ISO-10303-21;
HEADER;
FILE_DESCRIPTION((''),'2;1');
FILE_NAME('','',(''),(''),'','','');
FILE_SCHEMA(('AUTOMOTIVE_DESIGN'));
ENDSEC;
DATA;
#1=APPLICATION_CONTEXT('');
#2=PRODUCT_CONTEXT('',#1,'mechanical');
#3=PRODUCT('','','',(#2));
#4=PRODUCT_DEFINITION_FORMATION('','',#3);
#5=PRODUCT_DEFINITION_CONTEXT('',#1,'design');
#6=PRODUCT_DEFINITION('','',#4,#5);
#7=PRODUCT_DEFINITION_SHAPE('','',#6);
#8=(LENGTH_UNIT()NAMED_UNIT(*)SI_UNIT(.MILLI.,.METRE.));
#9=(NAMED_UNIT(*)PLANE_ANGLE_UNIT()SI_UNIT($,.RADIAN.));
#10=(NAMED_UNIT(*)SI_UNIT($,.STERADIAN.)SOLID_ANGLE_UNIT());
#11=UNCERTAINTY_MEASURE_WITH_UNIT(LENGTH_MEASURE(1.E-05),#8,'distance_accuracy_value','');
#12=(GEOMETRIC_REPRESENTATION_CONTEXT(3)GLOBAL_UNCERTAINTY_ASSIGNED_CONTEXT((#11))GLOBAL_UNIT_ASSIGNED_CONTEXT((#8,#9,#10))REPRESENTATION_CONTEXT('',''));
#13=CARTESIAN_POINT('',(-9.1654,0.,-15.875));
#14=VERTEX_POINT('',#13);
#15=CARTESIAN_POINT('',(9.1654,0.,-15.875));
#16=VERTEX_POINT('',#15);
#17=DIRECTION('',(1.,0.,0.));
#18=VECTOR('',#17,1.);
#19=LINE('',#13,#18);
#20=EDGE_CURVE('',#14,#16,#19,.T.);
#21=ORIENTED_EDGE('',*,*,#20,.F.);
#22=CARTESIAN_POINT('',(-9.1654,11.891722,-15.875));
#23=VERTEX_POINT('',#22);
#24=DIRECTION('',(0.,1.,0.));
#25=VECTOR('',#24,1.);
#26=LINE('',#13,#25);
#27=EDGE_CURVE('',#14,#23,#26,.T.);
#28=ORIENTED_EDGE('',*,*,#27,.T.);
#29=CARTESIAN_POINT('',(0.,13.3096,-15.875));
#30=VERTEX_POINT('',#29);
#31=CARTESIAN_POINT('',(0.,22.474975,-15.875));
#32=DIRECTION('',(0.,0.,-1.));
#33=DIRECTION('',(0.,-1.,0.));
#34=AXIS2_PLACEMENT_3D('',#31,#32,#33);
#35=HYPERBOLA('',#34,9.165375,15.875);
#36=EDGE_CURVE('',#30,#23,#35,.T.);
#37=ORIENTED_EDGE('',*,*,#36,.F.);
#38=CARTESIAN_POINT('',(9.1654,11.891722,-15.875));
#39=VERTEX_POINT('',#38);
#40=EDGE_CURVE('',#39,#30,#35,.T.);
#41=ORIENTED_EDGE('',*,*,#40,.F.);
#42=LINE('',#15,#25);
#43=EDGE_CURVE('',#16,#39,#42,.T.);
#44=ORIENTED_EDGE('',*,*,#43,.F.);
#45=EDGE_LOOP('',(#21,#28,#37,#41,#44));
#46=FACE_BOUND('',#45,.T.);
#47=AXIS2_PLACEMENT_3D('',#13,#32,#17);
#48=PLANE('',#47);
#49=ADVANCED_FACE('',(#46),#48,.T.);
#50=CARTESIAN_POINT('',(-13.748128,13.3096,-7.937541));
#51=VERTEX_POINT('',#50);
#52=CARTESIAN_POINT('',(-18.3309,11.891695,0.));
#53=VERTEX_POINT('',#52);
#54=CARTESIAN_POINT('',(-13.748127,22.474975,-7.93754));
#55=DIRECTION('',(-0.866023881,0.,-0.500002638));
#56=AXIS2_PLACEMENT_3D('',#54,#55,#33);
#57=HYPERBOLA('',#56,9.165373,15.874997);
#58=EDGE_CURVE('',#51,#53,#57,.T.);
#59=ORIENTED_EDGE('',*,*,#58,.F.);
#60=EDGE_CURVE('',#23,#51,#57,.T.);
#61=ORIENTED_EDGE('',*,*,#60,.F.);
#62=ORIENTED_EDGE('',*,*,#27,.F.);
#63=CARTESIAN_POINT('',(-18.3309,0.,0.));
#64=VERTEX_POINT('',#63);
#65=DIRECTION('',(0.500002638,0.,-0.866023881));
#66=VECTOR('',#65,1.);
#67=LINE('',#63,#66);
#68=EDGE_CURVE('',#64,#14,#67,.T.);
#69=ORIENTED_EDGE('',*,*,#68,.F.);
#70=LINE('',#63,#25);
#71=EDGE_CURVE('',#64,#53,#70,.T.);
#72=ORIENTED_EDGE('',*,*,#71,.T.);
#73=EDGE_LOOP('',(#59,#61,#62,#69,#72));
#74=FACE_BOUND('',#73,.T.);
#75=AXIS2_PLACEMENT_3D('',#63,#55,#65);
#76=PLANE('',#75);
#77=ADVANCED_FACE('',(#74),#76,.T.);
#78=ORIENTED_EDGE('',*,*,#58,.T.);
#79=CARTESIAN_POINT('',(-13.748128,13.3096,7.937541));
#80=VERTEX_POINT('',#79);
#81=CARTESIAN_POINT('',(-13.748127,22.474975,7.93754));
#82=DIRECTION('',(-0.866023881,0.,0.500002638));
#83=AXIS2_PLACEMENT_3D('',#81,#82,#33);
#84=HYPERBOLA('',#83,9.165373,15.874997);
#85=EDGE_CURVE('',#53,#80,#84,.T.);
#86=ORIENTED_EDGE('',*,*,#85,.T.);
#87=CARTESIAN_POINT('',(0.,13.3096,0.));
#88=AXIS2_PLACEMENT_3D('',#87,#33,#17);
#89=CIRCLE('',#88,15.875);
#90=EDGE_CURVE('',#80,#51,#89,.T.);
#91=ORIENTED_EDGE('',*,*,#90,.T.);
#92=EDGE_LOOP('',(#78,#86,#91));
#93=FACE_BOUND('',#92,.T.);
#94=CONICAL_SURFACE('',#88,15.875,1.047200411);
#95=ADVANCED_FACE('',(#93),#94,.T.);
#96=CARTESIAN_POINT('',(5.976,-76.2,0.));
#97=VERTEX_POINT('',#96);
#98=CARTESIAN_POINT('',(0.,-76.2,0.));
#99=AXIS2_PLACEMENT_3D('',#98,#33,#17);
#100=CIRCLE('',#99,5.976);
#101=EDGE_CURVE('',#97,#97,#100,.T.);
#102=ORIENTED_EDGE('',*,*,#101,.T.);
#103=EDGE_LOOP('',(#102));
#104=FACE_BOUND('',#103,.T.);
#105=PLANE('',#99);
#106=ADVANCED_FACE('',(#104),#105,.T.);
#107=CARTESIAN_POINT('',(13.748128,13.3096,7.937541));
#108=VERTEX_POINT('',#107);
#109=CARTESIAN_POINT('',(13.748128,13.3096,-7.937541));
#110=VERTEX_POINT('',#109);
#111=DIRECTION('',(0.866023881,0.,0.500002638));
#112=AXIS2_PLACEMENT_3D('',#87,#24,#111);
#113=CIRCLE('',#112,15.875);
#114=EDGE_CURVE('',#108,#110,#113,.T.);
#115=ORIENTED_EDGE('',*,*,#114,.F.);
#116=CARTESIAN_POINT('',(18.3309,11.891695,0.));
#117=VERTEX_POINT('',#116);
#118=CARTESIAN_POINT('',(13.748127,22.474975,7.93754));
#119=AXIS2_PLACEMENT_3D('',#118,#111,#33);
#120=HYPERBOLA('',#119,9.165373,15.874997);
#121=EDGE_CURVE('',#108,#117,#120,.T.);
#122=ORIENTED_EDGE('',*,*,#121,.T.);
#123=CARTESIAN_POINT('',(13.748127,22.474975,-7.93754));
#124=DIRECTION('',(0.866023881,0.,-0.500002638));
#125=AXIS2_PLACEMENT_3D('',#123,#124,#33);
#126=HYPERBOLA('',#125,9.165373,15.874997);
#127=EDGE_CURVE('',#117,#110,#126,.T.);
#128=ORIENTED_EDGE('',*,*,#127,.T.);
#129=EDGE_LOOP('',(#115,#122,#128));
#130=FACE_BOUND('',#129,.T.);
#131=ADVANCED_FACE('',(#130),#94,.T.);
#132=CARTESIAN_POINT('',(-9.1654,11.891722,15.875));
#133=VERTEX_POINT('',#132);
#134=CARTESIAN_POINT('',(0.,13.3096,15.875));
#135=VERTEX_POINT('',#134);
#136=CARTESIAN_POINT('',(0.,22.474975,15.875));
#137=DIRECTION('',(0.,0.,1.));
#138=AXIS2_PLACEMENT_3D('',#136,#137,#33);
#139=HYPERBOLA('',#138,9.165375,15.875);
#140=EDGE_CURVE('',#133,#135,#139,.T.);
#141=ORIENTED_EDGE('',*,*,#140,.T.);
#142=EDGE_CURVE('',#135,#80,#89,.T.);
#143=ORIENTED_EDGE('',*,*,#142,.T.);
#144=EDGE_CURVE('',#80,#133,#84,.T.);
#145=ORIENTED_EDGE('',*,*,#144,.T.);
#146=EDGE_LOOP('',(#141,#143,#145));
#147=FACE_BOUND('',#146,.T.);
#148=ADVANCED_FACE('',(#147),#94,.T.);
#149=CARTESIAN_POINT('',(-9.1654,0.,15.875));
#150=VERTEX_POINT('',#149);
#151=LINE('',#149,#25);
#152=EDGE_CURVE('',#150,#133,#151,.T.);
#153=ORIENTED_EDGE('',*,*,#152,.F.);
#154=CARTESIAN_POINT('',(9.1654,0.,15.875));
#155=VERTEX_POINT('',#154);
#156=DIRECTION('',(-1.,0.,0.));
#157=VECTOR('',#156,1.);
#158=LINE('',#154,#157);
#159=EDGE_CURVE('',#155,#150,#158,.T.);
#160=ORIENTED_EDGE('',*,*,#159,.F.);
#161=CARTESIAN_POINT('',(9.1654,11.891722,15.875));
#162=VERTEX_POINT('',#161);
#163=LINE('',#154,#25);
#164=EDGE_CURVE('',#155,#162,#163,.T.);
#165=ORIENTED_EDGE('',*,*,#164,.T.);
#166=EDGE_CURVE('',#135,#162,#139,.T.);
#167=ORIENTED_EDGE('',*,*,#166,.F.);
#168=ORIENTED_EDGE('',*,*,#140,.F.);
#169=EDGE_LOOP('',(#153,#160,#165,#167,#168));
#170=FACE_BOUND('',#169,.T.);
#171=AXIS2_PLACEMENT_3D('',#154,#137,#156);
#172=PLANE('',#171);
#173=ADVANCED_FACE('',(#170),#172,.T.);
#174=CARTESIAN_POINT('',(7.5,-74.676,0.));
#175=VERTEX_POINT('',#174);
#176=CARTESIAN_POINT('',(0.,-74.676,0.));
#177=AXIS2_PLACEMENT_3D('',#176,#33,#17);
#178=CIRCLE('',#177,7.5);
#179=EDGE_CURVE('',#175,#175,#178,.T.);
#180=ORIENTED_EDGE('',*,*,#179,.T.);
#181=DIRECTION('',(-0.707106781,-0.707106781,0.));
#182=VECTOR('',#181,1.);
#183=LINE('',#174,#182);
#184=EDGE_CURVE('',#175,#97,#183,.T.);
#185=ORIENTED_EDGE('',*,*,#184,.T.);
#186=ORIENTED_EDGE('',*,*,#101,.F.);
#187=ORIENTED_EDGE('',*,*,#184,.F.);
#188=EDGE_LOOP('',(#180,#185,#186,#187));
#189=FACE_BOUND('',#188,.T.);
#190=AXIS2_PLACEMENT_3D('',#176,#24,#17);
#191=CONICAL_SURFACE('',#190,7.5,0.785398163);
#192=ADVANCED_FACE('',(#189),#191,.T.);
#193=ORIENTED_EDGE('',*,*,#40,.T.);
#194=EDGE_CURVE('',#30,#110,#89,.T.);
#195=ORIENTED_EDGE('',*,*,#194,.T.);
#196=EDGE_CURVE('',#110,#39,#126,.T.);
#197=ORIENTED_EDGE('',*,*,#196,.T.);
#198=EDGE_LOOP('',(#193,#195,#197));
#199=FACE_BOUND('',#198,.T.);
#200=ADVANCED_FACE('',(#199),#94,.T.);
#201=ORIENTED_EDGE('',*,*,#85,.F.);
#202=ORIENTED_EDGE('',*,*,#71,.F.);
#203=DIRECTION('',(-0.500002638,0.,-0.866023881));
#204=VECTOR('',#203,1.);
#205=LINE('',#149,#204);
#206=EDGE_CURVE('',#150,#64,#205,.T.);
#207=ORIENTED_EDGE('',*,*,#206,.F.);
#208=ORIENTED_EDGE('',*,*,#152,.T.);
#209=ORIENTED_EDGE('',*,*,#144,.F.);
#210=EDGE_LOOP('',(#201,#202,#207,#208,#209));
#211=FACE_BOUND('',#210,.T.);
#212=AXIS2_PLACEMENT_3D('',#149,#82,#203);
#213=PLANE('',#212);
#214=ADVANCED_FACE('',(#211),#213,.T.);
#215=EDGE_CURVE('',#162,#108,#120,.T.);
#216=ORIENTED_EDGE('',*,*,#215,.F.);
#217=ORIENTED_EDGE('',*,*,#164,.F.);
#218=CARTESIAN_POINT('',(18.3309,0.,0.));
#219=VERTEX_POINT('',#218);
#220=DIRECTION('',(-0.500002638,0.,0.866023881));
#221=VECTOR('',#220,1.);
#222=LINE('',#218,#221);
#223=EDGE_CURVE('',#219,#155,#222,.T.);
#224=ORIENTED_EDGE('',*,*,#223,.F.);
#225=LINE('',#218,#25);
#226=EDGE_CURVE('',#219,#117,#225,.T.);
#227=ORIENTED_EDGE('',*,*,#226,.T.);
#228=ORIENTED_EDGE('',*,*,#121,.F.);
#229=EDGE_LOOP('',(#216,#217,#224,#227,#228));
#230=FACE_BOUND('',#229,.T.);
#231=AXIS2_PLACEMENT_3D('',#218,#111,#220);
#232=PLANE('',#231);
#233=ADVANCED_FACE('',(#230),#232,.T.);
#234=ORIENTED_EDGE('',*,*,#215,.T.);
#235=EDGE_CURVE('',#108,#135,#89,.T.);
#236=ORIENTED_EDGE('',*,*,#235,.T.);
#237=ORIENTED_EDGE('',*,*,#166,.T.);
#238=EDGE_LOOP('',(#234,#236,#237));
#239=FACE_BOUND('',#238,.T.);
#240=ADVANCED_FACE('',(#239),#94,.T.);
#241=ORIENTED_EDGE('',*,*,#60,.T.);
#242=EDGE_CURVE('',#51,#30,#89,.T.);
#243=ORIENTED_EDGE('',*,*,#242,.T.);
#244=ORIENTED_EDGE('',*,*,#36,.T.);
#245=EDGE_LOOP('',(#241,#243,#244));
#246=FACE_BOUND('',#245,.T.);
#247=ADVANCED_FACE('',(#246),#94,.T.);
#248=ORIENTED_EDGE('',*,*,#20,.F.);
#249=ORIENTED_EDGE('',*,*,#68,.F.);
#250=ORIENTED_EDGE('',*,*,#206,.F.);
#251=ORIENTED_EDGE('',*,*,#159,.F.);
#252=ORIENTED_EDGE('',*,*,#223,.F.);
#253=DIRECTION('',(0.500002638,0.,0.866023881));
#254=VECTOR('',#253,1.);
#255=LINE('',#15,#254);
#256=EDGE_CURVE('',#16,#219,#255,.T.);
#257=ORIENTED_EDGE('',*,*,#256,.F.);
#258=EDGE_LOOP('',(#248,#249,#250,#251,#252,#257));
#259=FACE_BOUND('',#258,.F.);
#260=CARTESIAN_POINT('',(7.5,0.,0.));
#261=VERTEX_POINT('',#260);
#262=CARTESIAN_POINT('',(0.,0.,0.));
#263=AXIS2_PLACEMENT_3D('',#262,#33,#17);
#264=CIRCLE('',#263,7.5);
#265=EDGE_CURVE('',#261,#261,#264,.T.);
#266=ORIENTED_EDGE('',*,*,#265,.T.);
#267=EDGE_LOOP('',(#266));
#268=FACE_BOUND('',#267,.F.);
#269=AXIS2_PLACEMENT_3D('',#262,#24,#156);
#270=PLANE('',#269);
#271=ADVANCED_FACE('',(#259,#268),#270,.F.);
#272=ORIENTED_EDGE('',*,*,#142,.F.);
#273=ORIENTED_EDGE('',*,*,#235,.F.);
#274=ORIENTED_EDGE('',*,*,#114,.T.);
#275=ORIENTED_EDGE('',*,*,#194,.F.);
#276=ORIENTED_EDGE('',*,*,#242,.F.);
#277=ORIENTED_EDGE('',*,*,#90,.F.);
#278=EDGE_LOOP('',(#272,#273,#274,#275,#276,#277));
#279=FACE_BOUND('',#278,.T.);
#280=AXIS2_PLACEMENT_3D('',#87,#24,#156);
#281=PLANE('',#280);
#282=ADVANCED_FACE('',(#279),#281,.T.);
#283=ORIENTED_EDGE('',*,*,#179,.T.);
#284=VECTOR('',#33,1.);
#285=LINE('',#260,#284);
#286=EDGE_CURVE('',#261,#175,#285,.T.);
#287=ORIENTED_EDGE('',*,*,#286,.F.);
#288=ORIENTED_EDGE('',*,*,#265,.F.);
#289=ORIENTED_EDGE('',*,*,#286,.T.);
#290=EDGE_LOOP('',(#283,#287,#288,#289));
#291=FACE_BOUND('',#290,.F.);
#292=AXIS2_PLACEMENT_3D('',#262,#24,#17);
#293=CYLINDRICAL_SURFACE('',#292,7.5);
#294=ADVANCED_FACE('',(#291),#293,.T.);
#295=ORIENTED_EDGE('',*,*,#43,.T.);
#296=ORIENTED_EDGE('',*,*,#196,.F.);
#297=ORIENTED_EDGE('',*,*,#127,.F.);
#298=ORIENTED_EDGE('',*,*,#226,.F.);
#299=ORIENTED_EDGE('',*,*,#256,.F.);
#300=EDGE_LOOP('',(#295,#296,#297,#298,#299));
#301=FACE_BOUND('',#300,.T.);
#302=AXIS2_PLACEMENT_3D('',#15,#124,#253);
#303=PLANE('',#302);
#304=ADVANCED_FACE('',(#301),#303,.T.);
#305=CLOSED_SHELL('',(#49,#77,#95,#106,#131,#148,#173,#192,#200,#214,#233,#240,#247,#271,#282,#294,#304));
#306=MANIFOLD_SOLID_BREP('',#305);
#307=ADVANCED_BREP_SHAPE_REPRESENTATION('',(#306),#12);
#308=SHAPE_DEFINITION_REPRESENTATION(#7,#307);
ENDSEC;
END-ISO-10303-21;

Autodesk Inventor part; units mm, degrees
ref_plane "YZ Plane" through (0, 0, 0) normal (1, 0, 0) x (0, 1, 0)
ref_plane "XZ Plane" through (0, 0, 0) normal (0, 1, 0) x (-1, 0, 0)
ref_plane "XY Plane" through (0, 0, 0) normal (0, 0, 1) x (1, 0, 0)
sketch "Sketch1" plane through (0, 0, 0) normal (0, 1, 0) x (-1, 0, 0)
  line L0 (9.1654, 15.875) -> (18.3309, 0)
  line L1 (18.3309, 0) -> (9.1654, -15.875)
  line L2 (9.1654, -15.875) -> (-9.1654, -15.875)
  line L3 (-9.1654, -15.875) -> (-18.3309, 0)
  line L4 (-18.3309, 0) -> (-9.1654, 15.875)
  line L5 (-9.1654, 15.875) -> (9.1654, 15.875)
  point P0 (0, 0)
  point P1 (0, 0)
  dimension "HEX_FLATS" = 31.75
extrude "Extrusion1" add sketch "Sketch1" along normal blind 13.3096
sketch "Sketch2" plane through (0, 0, 0) normal (0, 0, 1) x (1, 0, 0)
  line L0 (9.1654, 13.3096) -> (18.3309, 13.3096) projected
  line L1 (15.875, 13.3096) -> (28.575, 5.9773)
  line L2 (28.575, 5.9773) -> (28.575, 18.6773)
  line L3 (28.575, 18.6773) -> (15.875, 18.6773)
  line L4 (15.875, 18.6773) -> (15.875, 13.3096)
  line L5 (0, 26.9922) -> (0, -31.2125) projected
  line L6 (0, 0) -> (0, -22.8975)
  dimension "d3" = 30
  dimension "HD_CHAMFER" = 15.875
  dimension "d5" = 12.7
  dimension "d6" = 12.7
revolve "Revolution1" cut sketch "Sketch2" angle 360 about axis through (0, 0, 0) along (0, -1, 0)
sketch "Sketch3" plane through (0, 0, 0) normal (0, -1, 0) x (1, 0, 0)
  circle A0 centre (0, 0) radius 7.5
  dimension "BOLT_SIZE" = 15
extrude "Extrusion2" add sketch "Sketch3" along normal blind 76.2
chamfer "Chamfer1" distance 1.524 angle 45 1 edges at (-7.5, -76.2, 0)
thread "Thread 1/2\"" size "1/2-13 UNC" class "2A" standard "ANSI Unified Screw Threads" length 0
thread "Thread 5/8\"" size "5/8-11 UNC" class "2A" standard "ANSI Unified Screw Threads" length 0
thread "Thread-3/4\"" size "3/4-10 UNC" class "2A" standard "ANSI Unified Screw Threads" length 44.45
thread "Thread 7/8\"" size "7/8-9 UNC" class "2A" standard "ANSI Unified Screw Threads" length 0
thread "Thread 1\"" size "1-8 UNC" class "2A" standard "ANSI Unified Screw Threads" length 0
thread "Thread 1 1/8\"" size "1 1/8-7 UNC" class "2A" standard "ANSI Unified Screw Threads" length 0
thread "Thread 1 1/4\"" size "1 1/4-7 UNC" class "2A" standard "ANSI Unified Screw Threads" length 0
properties material "Stainless Steel"
